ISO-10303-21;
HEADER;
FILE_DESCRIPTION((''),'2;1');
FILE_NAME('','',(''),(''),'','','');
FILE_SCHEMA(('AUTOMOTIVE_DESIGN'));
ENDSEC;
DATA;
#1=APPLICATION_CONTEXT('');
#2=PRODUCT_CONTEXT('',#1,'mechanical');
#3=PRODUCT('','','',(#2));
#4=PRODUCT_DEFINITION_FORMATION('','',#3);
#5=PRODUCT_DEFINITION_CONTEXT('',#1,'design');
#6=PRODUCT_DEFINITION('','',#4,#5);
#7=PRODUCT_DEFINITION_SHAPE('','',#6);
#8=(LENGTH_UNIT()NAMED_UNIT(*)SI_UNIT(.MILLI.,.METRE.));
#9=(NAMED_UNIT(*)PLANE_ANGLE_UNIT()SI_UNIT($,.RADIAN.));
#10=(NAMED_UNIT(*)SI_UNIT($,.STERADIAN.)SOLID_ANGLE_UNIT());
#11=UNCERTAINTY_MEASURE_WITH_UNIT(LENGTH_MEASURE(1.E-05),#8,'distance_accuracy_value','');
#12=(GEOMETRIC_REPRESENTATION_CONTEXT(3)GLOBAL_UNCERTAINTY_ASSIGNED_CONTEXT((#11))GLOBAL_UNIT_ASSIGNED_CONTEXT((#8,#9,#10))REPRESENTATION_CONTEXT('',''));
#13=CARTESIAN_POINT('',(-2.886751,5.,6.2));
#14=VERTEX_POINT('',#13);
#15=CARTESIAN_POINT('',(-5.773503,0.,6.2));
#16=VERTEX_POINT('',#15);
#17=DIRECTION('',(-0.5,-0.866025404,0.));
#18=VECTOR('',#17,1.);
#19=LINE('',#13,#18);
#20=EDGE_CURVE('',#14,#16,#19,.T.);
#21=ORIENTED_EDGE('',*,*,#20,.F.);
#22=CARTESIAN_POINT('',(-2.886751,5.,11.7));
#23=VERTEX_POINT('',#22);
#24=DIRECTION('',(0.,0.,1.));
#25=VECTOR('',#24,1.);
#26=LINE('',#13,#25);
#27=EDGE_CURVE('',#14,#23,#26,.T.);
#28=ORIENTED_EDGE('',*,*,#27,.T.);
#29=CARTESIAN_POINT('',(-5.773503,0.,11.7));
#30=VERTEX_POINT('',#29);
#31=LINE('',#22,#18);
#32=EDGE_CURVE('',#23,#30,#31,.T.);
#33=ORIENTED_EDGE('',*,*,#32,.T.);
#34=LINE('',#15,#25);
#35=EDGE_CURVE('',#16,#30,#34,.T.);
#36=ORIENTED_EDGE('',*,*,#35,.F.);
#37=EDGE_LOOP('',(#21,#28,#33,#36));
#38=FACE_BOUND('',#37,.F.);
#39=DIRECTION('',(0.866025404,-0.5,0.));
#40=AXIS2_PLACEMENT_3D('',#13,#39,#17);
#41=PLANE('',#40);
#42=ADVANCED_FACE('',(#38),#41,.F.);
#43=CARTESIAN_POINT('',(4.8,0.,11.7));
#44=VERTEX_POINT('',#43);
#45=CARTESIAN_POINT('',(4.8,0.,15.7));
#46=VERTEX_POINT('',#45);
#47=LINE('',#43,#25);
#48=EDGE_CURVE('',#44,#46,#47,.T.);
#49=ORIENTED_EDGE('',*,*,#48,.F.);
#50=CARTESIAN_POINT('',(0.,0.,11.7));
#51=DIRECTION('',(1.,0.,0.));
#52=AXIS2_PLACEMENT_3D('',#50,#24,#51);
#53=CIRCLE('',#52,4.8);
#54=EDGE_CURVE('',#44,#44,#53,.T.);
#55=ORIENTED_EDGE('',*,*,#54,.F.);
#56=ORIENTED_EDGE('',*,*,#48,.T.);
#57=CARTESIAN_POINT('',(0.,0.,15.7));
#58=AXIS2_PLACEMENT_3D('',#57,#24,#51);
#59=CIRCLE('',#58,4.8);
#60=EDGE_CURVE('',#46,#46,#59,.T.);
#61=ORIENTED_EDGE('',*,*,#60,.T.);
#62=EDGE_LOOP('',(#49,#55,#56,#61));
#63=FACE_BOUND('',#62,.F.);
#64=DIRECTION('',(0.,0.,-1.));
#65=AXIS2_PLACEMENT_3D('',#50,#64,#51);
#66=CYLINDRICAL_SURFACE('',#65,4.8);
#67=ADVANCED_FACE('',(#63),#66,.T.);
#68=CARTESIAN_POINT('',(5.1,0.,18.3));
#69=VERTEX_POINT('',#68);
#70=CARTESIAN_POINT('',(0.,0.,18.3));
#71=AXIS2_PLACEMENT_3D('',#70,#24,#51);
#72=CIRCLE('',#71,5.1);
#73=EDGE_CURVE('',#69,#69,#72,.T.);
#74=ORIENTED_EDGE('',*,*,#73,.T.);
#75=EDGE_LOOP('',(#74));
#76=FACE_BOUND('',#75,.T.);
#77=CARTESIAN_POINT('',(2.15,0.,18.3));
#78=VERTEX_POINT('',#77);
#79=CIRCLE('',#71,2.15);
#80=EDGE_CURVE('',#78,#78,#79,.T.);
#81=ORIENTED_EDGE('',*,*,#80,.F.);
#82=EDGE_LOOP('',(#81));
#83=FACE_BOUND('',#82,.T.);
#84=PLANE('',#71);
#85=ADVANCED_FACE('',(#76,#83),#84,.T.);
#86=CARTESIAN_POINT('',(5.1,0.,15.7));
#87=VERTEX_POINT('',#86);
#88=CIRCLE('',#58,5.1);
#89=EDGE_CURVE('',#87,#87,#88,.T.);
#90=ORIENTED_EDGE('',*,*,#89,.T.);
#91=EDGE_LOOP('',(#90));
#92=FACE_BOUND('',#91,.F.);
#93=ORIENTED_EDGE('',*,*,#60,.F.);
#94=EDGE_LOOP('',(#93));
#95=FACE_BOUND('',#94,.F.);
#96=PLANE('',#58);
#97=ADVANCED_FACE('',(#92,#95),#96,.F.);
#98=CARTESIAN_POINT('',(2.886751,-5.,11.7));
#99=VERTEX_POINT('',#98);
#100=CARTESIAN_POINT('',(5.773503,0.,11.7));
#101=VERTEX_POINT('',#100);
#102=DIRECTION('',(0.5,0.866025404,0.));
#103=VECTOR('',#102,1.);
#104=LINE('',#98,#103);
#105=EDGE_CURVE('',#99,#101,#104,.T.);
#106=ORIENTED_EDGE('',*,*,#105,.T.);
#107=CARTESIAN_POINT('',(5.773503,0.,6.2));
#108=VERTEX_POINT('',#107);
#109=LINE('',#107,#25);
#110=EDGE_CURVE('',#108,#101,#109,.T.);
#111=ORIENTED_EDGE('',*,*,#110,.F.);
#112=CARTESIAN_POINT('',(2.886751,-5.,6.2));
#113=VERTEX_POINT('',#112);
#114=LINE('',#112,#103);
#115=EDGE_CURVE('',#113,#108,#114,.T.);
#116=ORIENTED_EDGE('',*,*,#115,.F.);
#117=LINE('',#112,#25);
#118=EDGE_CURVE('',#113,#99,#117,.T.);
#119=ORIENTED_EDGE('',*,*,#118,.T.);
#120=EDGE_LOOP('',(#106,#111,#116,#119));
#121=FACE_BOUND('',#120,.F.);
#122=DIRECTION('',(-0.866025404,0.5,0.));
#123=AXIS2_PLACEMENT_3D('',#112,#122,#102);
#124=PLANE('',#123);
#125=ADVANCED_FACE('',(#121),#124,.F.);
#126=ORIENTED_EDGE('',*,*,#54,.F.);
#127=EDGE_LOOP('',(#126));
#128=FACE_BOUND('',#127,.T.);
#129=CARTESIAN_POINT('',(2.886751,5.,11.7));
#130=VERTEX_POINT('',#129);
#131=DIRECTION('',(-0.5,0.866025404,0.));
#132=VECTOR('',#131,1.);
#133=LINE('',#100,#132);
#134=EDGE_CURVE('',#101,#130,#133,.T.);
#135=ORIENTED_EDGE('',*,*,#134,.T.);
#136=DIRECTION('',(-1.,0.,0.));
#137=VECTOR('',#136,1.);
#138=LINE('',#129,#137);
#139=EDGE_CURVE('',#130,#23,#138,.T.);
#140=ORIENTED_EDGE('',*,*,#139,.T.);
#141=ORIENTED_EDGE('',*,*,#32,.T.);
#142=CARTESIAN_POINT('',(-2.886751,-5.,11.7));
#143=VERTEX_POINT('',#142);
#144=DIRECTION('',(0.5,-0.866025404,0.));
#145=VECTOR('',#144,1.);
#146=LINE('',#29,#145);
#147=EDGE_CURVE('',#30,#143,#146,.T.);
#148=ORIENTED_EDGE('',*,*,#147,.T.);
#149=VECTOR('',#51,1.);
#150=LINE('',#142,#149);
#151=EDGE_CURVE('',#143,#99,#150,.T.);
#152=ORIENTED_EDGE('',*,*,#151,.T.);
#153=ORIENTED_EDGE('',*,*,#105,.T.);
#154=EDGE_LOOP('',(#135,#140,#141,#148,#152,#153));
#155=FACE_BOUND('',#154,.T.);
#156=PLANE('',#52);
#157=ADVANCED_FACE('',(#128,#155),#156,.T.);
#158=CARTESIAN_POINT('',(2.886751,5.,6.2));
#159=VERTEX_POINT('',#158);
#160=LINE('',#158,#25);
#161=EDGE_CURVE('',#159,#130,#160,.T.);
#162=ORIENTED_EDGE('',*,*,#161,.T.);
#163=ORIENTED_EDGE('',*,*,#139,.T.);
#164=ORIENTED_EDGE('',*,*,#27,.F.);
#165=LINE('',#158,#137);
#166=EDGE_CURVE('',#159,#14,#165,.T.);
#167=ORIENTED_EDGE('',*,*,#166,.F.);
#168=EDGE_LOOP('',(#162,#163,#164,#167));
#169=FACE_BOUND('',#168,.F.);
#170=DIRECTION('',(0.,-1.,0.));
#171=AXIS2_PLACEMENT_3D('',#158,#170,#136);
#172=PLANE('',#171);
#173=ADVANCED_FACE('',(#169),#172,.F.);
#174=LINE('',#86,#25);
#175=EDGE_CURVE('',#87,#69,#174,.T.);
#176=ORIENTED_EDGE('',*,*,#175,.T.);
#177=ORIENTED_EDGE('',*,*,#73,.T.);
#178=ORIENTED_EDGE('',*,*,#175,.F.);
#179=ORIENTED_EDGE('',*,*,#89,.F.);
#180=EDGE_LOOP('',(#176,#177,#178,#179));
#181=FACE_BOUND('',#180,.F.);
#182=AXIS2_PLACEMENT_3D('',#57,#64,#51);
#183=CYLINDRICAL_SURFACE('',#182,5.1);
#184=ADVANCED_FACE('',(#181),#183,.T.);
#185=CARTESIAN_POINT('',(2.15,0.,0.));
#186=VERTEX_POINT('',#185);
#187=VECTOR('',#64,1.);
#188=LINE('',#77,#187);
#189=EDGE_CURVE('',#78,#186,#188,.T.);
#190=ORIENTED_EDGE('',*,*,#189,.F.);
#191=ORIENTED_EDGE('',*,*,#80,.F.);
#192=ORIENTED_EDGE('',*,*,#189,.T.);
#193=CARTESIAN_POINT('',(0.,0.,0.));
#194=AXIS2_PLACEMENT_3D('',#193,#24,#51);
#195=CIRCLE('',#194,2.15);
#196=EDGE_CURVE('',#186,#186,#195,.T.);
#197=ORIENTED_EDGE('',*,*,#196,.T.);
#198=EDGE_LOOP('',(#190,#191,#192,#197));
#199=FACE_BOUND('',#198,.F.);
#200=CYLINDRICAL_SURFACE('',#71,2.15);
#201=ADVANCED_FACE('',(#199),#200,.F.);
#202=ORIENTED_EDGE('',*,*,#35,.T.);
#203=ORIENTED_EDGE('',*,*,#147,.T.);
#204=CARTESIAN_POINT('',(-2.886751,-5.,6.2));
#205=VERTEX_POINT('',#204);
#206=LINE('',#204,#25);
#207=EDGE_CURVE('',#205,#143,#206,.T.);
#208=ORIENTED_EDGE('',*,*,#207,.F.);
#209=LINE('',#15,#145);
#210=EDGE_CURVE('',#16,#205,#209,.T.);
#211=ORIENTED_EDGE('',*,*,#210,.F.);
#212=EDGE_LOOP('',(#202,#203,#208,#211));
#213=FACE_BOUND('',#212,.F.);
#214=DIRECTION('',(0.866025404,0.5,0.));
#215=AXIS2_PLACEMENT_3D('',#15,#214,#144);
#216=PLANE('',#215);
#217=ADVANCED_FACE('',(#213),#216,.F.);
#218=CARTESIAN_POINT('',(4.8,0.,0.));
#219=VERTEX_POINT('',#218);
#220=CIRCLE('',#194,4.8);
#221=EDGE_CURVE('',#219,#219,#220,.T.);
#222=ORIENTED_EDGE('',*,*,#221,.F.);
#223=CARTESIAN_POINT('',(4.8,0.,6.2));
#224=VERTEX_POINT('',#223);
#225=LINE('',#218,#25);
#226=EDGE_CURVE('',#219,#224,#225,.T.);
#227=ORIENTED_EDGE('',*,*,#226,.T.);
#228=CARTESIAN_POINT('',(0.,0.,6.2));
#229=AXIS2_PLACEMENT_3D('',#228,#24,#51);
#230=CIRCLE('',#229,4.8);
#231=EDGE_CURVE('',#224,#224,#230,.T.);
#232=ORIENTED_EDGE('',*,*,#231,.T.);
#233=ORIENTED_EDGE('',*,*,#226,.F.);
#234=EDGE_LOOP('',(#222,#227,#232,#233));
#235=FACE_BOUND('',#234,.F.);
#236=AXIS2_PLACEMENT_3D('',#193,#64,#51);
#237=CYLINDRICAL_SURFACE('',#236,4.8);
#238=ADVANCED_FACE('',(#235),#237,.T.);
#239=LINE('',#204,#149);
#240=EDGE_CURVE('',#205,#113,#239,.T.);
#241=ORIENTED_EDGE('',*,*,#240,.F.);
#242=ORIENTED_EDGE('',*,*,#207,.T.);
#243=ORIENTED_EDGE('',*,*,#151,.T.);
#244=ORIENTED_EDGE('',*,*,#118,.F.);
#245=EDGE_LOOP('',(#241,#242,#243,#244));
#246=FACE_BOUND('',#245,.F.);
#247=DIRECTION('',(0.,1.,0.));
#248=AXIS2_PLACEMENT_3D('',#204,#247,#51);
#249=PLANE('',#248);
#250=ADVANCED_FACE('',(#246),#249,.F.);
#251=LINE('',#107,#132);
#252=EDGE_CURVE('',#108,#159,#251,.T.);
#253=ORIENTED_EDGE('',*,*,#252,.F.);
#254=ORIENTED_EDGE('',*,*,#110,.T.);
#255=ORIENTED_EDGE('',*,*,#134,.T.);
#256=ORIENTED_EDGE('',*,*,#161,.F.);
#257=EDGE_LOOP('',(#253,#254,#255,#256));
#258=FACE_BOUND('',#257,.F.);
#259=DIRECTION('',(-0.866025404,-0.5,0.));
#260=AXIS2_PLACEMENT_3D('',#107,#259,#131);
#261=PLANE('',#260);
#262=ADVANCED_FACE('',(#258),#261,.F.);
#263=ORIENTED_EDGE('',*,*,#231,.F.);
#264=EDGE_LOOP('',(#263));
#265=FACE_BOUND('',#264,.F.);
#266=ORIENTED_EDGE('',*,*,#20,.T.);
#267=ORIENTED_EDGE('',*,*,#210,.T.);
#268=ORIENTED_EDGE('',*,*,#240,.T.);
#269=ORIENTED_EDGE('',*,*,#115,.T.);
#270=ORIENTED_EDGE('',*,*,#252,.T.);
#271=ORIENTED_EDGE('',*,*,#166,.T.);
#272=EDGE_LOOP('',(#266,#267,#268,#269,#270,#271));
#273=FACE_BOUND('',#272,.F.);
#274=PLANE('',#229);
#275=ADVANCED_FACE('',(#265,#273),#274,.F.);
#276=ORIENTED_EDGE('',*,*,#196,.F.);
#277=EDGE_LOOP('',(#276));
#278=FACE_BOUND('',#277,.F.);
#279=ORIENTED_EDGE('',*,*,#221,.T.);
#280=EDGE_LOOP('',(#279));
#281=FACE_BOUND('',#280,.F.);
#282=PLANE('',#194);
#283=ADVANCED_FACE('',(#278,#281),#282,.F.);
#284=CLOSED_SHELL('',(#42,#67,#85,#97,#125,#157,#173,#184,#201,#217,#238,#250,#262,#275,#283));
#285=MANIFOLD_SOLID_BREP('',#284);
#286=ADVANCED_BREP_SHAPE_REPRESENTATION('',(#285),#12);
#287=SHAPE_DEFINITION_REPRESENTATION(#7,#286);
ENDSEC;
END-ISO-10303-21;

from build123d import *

# Parameters (mm, degrees)
F0_R     = 4.8
F1_DEPTH = 6.2
F2_R     = 4.8
F3_DEPTH = 5.5
F4_R     = 4.8
F5_DEPTH = 4
F6_R     = 5.1
F6_R_2   = 4.8
F7_DEPTH = 2.6
F8_R     = 2.15
F9_DEPTH = 18.301


with BuildPart() as f1:
    # F0 (on Top) → F1 (new body)
    with BuildSketch(Plane.XY):
        Circle(F0_R)
    extrude(amount=F1_DEPTH)

    # F2 (on face) → F3 (join)
    with BuildSketch(Plane.XY.offset(6.2)):
        Polygon((2.8867513459, -5), (5.7735026919, 0), (2.8867513459, 5), (-2.8867513459, 5), (-5.7735026919, 0), (-2.8867513459, -5), align=None)
        Circle(F2_R, mode=Mode.SUBTRACT)
        Circle(F2_R)
    extrude(amount=F3_DEPTH)

    # F4 (on face) → F5 (join)
    with BuildSketch(Plane.XY.offset(11.7)):
        Circle(F4_R)
    extrude(amount=F5_DEPTH)

    # F6 (on face) → F7 (join)
    with BuildSketch(Plane.XY.offset(15.7)):
        Circle(F6_R)
        Circle(F6_R_2, mode=Mode.SUBTRACT)
        Circle(F6_R_2)
    extrude(amount=F7_DEPTH)

    # F8 (on face) → F9 (cut, through all)
    with BuildSketch(Plane.XY.offset(18.3)):
        Circle(F8_R)
    extrude(amount=-F9_DEPTH, mode=Mode.SUBTRACT)


solid = f1.part
